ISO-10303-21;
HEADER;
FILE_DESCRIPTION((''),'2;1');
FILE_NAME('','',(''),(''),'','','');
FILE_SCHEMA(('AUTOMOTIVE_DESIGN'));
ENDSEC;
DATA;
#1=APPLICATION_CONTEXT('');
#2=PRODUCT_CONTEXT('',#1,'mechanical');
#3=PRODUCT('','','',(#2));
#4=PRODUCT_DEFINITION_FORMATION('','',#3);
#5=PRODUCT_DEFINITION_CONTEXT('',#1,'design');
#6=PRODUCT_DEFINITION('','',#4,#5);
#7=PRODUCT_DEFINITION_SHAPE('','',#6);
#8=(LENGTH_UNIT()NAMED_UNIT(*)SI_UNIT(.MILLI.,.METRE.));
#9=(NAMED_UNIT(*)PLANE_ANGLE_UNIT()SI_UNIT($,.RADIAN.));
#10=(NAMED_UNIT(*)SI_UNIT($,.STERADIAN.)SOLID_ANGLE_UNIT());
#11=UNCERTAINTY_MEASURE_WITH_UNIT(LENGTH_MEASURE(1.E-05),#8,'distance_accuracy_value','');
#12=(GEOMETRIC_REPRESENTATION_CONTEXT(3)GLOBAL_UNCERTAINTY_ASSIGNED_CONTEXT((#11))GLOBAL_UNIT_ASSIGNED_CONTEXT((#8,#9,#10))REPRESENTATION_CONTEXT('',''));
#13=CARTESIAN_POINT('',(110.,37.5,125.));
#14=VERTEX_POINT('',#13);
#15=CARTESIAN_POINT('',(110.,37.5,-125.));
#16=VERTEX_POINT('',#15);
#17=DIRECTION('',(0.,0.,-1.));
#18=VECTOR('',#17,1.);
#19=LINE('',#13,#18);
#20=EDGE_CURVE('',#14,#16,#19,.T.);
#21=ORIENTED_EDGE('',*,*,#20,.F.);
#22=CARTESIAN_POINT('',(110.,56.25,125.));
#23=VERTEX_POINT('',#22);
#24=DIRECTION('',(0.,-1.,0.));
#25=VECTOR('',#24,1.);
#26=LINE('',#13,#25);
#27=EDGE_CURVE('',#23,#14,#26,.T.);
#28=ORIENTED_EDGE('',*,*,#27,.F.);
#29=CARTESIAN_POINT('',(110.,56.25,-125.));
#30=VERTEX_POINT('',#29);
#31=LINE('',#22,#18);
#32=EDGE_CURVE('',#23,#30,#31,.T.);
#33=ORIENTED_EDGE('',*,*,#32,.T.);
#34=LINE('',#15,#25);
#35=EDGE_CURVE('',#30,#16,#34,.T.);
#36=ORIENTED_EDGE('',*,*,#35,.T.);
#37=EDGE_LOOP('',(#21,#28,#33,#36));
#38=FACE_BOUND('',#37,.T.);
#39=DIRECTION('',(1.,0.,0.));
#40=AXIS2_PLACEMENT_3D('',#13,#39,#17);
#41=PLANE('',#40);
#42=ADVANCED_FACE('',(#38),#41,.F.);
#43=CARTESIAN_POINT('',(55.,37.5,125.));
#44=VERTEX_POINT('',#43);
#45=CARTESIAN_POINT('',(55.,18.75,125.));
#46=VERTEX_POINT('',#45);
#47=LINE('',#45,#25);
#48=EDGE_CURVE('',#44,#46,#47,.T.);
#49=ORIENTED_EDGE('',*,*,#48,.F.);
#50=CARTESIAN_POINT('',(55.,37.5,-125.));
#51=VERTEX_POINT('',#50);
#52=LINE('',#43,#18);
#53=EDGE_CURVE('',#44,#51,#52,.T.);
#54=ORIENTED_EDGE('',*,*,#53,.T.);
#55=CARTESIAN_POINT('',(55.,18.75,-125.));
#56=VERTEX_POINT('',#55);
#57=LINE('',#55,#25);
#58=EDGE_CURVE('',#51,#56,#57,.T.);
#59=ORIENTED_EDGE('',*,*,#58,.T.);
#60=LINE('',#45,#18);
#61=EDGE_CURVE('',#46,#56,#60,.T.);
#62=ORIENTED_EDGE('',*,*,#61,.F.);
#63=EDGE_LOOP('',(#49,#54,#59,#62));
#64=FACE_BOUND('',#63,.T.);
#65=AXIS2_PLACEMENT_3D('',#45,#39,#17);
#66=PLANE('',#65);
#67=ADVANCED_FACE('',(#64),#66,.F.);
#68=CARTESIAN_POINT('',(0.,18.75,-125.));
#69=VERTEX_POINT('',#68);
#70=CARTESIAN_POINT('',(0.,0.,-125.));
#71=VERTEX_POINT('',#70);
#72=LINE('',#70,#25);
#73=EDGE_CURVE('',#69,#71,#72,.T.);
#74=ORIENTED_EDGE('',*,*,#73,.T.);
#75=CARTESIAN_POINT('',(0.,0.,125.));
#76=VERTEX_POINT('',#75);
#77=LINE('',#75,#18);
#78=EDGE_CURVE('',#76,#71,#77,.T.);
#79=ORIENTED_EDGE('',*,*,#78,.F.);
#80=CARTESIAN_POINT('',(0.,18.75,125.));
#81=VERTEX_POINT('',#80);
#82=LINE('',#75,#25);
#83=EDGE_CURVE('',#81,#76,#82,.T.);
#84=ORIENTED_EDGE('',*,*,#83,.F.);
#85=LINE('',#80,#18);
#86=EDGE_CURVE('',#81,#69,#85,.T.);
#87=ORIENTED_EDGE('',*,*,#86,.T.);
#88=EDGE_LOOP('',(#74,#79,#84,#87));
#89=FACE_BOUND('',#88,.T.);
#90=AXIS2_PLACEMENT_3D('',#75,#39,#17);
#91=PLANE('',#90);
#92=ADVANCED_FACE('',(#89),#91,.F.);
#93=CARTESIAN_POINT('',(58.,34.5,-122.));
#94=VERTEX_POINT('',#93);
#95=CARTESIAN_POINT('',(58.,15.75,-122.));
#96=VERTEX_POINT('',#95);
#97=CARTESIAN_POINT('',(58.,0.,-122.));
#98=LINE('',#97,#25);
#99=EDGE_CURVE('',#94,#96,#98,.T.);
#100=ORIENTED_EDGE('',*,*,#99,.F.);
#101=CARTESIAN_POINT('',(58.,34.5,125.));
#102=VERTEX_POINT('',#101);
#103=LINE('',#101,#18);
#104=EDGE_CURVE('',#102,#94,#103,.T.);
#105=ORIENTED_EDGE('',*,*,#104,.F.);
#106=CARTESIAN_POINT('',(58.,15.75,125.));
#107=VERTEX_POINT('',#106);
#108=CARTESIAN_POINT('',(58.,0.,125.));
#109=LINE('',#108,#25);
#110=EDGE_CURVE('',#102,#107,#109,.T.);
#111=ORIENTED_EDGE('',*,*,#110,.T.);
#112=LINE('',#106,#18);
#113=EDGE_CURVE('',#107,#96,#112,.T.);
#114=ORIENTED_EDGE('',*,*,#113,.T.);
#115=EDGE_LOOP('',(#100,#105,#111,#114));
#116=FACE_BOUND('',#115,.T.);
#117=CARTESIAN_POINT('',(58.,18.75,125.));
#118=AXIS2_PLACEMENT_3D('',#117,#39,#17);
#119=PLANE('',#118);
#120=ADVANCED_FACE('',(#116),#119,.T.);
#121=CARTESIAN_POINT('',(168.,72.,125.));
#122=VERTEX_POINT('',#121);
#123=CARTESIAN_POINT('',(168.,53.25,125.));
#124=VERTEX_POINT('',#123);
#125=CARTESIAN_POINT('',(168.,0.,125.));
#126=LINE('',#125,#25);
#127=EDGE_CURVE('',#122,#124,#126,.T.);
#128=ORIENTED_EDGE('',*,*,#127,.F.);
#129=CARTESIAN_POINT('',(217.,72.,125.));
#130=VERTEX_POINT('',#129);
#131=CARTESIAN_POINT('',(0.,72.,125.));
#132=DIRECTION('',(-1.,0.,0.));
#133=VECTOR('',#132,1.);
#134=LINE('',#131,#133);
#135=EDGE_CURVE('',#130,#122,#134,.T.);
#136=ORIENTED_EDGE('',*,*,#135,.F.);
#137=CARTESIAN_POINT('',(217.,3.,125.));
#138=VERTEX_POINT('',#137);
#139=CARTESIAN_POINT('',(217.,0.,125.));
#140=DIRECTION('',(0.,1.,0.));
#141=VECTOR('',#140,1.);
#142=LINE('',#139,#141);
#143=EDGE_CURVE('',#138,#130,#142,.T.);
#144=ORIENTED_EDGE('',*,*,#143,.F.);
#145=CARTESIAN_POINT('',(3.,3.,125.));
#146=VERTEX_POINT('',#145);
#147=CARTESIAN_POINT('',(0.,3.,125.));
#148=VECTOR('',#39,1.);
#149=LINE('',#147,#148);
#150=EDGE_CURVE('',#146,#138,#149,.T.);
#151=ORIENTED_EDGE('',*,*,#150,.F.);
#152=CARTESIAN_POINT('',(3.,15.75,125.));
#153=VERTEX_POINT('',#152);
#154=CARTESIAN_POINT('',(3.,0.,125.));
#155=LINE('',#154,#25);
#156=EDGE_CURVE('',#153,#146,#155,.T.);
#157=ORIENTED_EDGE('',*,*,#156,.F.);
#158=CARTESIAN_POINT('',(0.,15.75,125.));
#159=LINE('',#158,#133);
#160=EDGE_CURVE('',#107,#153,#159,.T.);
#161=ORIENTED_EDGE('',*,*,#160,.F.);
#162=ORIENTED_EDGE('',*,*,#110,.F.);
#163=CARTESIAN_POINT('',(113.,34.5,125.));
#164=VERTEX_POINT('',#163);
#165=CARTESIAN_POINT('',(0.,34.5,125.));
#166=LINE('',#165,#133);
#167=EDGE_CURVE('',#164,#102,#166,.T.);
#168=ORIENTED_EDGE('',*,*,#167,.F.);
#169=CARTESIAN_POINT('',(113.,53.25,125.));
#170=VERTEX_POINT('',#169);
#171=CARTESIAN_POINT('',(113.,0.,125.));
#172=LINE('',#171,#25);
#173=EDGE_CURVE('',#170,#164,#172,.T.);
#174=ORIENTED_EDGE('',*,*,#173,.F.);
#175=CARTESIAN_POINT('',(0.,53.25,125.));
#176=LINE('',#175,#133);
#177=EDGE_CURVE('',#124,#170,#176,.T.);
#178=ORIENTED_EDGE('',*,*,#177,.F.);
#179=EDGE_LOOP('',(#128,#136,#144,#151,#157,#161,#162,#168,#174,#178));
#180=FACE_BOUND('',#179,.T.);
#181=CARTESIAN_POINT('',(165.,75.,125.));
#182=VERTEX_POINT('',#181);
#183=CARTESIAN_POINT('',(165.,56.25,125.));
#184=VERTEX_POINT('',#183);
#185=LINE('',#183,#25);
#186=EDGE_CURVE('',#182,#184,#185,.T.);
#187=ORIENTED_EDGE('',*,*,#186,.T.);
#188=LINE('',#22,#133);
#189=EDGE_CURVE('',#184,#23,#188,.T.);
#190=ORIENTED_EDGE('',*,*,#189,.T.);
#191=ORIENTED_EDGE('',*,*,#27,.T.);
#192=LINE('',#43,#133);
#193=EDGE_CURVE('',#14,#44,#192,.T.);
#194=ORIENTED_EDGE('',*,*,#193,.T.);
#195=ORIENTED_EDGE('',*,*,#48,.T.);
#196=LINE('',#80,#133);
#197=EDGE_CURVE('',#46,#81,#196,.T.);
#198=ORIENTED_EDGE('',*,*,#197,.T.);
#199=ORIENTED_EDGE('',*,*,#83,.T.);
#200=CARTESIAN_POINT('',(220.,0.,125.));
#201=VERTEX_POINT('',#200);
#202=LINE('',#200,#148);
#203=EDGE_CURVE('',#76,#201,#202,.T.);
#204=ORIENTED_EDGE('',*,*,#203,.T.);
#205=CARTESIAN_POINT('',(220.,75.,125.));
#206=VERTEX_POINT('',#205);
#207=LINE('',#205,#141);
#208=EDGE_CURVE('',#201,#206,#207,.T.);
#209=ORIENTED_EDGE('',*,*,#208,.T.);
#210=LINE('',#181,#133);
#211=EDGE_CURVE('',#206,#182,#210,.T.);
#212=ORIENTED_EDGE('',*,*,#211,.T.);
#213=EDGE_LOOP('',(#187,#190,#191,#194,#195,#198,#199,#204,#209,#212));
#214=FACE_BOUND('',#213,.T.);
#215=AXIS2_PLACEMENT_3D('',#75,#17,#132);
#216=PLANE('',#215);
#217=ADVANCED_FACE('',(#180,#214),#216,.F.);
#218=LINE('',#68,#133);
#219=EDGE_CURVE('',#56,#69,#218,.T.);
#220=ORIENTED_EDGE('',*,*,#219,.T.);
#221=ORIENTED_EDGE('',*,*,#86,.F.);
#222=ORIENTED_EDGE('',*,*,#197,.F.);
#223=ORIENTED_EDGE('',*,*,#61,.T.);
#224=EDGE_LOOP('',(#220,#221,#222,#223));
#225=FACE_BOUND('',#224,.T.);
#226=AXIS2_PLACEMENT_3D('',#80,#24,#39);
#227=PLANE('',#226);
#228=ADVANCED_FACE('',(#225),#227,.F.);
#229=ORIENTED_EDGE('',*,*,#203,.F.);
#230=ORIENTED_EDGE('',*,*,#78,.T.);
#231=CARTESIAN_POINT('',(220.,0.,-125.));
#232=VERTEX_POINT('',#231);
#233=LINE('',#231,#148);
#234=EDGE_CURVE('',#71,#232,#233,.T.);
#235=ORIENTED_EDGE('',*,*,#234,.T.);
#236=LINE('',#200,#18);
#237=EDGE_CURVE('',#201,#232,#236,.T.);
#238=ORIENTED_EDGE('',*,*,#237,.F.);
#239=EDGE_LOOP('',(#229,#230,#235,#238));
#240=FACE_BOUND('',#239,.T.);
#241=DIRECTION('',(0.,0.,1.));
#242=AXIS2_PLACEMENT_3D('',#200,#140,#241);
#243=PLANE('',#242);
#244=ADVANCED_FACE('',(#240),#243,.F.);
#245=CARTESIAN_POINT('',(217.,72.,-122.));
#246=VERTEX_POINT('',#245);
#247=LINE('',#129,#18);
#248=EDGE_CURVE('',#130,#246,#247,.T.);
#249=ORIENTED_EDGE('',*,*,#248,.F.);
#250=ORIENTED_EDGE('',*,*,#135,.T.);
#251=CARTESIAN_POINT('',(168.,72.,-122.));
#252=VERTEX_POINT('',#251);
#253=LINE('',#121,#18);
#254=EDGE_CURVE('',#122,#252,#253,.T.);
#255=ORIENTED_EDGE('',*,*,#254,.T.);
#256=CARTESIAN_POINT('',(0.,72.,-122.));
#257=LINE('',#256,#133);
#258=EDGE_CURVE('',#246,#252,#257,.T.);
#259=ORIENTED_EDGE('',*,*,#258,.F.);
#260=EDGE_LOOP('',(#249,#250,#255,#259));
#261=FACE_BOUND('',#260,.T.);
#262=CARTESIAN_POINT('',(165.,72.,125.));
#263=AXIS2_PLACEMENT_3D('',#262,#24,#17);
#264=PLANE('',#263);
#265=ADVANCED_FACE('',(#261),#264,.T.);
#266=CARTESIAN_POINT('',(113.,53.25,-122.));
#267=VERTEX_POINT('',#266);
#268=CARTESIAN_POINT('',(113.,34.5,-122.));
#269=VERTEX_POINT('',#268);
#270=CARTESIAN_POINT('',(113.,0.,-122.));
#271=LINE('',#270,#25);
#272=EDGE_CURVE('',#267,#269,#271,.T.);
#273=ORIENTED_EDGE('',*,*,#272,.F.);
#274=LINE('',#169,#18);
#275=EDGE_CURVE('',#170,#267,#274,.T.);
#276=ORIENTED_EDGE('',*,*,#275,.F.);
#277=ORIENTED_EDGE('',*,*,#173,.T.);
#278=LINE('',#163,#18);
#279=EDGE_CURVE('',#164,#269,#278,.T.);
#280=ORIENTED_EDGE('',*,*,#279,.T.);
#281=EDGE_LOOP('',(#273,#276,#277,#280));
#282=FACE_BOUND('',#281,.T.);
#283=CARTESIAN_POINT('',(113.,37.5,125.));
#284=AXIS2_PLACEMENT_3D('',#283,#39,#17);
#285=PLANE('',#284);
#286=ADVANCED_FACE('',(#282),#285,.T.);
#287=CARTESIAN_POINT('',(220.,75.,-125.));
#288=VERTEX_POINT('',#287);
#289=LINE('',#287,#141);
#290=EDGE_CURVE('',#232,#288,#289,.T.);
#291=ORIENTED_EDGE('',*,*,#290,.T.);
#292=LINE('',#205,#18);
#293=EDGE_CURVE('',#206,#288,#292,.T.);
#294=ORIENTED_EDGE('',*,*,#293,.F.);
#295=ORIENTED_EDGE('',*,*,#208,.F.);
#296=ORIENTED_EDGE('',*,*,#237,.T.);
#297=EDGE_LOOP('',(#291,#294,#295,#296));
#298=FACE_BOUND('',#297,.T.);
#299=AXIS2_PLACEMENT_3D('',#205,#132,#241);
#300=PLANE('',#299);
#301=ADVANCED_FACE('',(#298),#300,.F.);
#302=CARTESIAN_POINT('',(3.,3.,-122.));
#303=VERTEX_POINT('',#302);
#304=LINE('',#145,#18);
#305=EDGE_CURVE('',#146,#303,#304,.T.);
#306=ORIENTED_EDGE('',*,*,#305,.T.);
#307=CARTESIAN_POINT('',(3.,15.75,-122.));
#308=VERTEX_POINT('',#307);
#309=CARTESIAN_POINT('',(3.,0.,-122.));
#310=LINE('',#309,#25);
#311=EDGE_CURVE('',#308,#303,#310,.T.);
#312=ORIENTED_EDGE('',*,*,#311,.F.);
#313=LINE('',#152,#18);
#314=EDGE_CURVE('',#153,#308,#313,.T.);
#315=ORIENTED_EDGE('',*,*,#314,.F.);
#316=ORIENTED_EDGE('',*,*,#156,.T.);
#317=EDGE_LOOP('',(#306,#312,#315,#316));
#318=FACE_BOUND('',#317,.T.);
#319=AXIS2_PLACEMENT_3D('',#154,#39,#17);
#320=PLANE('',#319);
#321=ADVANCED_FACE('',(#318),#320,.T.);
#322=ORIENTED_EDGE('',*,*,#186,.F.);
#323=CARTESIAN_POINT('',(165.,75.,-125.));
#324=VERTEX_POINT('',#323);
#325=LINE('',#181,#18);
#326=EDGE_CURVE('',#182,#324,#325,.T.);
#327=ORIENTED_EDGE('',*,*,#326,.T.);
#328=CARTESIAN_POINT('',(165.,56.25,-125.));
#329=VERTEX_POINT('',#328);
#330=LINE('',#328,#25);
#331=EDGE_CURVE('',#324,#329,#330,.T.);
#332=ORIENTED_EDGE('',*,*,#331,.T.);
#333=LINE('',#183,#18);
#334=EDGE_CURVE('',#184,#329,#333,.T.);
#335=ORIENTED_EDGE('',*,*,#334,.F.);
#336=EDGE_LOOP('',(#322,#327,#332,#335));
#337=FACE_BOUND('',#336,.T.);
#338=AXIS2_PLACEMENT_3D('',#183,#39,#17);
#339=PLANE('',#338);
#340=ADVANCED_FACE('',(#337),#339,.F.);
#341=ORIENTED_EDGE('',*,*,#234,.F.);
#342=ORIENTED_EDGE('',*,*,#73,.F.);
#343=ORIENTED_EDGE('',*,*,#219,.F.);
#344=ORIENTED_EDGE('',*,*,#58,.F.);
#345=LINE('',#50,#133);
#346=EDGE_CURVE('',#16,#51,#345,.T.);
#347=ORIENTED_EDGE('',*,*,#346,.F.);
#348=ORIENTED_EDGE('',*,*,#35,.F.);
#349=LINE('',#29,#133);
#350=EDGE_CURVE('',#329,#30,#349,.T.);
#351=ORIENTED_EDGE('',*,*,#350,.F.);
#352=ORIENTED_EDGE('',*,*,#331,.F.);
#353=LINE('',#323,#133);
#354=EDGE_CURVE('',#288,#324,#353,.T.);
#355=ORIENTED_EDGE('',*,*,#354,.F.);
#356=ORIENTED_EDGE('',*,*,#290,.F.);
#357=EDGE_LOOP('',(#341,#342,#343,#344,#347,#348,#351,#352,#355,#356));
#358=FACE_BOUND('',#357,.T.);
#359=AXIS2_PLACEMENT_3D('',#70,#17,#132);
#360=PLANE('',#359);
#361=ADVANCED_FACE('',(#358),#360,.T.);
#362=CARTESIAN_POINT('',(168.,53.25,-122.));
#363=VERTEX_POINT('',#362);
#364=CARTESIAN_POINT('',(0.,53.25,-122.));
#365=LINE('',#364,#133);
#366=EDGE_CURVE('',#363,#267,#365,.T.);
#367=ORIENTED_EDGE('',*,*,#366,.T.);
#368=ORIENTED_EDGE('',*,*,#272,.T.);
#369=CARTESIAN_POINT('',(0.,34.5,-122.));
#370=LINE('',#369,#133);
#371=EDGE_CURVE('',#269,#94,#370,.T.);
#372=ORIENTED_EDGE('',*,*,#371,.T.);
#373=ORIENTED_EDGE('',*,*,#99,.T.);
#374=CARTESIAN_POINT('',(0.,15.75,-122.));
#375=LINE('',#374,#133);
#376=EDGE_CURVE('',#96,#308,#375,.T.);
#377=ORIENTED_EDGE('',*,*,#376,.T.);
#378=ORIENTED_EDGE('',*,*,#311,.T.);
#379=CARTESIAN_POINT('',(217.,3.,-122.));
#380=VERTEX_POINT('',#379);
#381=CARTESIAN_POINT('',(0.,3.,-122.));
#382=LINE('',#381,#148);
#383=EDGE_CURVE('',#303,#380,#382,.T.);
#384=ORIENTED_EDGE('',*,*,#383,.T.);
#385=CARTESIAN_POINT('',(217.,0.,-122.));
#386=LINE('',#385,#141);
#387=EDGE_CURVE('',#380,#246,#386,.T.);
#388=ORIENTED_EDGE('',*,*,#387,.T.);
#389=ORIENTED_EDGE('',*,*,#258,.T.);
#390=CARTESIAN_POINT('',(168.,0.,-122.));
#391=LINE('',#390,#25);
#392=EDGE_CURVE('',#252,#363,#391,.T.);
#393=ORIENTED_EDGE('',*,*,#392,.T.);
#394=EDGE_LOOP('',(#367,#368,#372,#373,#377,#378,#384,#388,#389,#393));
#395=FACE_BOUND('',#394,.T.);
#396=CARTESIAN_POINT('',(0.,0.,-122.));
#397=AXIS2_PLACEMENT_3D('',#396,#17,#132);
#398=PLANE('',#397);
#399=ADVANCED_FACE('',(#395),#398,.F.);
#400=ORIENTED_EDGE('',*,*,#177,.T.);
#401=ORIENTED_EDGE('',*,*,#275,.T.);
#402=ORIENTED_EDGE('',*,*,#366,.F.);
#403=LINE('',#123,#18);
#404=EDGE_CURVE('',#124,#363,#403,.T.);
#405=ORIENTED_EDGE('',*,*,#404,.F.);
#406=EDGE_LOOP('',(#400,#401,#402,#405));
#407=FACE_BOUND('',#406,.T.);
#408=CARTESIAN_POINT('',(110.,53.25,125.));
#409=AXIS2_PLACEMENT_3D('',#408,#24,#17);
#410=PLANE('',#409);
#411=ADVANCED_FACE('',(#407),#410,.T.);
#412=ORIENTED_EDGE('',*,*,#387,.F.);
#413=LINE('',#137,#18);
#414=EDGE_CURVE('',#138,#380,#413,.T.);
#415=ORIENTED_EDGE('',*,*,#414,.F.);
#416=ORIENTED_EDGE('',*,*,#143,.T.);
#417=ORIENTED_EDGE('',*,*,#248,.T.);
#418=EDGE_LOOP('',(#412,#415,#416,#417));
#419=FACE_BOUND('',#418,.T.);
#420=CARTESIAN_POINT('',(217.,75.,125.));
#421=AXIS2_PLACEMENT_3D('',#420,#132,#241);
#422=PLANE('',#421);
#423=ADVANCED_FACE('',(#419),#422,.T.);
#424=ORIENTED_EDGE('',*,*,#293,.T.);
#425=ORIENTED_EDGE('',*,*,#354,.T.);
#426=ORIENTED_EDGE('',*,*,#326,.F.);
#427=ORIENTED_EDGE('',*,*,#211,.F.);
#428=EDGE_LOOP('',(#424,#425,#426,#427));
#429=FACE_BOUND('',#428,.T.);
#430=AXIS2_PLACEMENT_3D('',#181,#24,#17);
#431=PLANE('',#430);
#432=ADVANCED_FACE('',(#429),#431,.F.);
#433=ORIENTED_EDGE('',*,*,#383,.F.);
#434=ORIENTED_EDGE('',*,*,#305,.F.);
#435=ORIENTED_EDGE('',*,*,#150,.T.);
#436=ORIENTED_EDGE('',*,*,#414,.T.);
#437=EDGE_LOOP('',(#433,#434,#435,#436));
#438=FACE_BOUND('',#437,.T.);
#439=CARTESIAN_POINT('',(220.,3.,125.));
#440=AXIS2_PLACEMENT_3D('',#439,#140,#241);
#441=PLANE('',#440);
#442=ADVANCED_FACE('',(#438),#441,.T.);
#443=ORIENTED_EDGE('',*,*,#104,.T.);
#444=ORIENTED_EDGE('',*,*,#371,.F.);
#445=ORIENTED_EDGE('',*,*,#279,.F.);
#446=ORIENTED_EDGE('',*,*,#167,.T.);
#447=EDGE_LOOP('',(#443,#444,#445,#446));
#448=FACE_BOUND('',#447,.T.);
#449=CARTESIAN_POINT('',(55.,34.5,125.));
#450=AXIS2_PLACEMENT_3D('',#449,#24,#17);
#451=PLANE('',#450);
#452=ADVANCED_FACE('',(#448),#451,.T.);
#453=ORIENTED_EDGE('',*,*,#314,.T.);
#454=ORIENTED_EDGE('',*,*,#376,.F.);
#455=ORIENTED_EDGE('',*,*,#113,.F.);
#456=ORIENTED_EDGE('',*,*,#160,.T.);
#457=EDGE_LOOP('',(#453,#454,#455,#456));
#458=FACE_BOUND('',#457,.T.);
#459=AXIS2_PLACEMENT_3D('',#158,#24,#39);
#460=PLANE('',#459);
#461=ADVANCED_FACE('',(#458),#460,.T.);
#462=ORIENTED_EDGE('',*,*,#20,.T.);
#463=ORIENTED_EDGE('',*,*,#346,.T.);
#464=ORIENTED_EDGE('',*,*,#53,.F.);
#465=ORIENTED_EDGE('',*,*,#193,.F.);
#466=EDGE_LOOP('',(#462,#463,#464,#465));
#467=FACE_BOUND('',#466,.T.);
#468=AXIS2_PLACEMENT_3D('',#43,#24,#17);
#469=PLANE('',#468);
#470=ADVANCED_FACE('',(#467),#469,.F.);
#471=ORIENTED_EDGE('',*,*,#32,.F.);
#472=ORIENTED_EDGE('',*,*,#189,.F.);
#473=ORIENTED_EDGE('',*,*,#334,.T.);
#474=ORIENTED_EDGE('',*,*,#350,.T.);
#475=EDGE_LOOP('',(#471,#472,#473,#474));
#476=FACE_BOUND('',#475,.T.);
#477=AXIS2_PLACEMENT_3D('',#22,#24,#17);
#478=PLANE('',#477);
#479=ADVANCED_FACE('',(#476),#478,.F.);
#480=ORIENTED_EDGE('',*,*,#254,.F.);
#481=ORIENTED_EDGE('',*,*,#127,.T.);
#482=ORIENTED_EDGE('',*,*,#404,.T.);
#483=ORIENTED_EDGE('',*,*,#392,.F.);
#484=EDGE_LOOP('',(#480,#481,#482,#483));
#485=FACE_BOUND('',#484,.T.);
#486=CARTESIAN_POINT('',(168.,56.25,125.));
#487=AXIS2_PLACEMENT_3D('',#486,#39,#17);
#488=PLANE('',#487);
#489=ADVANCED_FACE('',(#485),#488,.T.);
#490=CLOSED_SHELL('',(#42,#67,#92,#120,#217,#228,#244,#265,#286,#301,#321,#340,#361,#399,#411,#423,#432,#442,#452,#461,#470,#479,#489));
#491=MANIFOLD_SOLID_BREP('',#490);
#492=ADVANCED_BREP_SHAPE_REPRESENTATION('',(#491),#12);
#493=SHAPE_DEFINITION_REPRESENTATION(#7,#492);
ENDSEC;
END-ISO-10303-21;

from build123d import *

# Parameters (mm, degrees)
BOSS_EXTRUDE1_DEPTH = 125
SHELL1_T            = -3


with BuildPart() as part:
    # Sketch1 → Boss-Extrude1 (new, symmetric)
    with BuildSketch(Plane.XY):
        Polygon((0, 0), (0, 18.75), (55, 18.75), (55, 37.5), (110, 37.5), (110, 56.25), (165, 56.25), (165, 75), (220, 75), (220, 0), align=None)
    extrude(amount=BOSS_EXTRUDE1_DEPTH, both=True)

    # Shell1
    shell1_openings = [part.faces().sort_by_distance(p)[0] for p in [
        (137.5, 28.125, 125),
    ]]
    offset(amount=SHELL1_T, openings=shell1_openings, kind=Kind.INTERSECTION)


solid = part.part
